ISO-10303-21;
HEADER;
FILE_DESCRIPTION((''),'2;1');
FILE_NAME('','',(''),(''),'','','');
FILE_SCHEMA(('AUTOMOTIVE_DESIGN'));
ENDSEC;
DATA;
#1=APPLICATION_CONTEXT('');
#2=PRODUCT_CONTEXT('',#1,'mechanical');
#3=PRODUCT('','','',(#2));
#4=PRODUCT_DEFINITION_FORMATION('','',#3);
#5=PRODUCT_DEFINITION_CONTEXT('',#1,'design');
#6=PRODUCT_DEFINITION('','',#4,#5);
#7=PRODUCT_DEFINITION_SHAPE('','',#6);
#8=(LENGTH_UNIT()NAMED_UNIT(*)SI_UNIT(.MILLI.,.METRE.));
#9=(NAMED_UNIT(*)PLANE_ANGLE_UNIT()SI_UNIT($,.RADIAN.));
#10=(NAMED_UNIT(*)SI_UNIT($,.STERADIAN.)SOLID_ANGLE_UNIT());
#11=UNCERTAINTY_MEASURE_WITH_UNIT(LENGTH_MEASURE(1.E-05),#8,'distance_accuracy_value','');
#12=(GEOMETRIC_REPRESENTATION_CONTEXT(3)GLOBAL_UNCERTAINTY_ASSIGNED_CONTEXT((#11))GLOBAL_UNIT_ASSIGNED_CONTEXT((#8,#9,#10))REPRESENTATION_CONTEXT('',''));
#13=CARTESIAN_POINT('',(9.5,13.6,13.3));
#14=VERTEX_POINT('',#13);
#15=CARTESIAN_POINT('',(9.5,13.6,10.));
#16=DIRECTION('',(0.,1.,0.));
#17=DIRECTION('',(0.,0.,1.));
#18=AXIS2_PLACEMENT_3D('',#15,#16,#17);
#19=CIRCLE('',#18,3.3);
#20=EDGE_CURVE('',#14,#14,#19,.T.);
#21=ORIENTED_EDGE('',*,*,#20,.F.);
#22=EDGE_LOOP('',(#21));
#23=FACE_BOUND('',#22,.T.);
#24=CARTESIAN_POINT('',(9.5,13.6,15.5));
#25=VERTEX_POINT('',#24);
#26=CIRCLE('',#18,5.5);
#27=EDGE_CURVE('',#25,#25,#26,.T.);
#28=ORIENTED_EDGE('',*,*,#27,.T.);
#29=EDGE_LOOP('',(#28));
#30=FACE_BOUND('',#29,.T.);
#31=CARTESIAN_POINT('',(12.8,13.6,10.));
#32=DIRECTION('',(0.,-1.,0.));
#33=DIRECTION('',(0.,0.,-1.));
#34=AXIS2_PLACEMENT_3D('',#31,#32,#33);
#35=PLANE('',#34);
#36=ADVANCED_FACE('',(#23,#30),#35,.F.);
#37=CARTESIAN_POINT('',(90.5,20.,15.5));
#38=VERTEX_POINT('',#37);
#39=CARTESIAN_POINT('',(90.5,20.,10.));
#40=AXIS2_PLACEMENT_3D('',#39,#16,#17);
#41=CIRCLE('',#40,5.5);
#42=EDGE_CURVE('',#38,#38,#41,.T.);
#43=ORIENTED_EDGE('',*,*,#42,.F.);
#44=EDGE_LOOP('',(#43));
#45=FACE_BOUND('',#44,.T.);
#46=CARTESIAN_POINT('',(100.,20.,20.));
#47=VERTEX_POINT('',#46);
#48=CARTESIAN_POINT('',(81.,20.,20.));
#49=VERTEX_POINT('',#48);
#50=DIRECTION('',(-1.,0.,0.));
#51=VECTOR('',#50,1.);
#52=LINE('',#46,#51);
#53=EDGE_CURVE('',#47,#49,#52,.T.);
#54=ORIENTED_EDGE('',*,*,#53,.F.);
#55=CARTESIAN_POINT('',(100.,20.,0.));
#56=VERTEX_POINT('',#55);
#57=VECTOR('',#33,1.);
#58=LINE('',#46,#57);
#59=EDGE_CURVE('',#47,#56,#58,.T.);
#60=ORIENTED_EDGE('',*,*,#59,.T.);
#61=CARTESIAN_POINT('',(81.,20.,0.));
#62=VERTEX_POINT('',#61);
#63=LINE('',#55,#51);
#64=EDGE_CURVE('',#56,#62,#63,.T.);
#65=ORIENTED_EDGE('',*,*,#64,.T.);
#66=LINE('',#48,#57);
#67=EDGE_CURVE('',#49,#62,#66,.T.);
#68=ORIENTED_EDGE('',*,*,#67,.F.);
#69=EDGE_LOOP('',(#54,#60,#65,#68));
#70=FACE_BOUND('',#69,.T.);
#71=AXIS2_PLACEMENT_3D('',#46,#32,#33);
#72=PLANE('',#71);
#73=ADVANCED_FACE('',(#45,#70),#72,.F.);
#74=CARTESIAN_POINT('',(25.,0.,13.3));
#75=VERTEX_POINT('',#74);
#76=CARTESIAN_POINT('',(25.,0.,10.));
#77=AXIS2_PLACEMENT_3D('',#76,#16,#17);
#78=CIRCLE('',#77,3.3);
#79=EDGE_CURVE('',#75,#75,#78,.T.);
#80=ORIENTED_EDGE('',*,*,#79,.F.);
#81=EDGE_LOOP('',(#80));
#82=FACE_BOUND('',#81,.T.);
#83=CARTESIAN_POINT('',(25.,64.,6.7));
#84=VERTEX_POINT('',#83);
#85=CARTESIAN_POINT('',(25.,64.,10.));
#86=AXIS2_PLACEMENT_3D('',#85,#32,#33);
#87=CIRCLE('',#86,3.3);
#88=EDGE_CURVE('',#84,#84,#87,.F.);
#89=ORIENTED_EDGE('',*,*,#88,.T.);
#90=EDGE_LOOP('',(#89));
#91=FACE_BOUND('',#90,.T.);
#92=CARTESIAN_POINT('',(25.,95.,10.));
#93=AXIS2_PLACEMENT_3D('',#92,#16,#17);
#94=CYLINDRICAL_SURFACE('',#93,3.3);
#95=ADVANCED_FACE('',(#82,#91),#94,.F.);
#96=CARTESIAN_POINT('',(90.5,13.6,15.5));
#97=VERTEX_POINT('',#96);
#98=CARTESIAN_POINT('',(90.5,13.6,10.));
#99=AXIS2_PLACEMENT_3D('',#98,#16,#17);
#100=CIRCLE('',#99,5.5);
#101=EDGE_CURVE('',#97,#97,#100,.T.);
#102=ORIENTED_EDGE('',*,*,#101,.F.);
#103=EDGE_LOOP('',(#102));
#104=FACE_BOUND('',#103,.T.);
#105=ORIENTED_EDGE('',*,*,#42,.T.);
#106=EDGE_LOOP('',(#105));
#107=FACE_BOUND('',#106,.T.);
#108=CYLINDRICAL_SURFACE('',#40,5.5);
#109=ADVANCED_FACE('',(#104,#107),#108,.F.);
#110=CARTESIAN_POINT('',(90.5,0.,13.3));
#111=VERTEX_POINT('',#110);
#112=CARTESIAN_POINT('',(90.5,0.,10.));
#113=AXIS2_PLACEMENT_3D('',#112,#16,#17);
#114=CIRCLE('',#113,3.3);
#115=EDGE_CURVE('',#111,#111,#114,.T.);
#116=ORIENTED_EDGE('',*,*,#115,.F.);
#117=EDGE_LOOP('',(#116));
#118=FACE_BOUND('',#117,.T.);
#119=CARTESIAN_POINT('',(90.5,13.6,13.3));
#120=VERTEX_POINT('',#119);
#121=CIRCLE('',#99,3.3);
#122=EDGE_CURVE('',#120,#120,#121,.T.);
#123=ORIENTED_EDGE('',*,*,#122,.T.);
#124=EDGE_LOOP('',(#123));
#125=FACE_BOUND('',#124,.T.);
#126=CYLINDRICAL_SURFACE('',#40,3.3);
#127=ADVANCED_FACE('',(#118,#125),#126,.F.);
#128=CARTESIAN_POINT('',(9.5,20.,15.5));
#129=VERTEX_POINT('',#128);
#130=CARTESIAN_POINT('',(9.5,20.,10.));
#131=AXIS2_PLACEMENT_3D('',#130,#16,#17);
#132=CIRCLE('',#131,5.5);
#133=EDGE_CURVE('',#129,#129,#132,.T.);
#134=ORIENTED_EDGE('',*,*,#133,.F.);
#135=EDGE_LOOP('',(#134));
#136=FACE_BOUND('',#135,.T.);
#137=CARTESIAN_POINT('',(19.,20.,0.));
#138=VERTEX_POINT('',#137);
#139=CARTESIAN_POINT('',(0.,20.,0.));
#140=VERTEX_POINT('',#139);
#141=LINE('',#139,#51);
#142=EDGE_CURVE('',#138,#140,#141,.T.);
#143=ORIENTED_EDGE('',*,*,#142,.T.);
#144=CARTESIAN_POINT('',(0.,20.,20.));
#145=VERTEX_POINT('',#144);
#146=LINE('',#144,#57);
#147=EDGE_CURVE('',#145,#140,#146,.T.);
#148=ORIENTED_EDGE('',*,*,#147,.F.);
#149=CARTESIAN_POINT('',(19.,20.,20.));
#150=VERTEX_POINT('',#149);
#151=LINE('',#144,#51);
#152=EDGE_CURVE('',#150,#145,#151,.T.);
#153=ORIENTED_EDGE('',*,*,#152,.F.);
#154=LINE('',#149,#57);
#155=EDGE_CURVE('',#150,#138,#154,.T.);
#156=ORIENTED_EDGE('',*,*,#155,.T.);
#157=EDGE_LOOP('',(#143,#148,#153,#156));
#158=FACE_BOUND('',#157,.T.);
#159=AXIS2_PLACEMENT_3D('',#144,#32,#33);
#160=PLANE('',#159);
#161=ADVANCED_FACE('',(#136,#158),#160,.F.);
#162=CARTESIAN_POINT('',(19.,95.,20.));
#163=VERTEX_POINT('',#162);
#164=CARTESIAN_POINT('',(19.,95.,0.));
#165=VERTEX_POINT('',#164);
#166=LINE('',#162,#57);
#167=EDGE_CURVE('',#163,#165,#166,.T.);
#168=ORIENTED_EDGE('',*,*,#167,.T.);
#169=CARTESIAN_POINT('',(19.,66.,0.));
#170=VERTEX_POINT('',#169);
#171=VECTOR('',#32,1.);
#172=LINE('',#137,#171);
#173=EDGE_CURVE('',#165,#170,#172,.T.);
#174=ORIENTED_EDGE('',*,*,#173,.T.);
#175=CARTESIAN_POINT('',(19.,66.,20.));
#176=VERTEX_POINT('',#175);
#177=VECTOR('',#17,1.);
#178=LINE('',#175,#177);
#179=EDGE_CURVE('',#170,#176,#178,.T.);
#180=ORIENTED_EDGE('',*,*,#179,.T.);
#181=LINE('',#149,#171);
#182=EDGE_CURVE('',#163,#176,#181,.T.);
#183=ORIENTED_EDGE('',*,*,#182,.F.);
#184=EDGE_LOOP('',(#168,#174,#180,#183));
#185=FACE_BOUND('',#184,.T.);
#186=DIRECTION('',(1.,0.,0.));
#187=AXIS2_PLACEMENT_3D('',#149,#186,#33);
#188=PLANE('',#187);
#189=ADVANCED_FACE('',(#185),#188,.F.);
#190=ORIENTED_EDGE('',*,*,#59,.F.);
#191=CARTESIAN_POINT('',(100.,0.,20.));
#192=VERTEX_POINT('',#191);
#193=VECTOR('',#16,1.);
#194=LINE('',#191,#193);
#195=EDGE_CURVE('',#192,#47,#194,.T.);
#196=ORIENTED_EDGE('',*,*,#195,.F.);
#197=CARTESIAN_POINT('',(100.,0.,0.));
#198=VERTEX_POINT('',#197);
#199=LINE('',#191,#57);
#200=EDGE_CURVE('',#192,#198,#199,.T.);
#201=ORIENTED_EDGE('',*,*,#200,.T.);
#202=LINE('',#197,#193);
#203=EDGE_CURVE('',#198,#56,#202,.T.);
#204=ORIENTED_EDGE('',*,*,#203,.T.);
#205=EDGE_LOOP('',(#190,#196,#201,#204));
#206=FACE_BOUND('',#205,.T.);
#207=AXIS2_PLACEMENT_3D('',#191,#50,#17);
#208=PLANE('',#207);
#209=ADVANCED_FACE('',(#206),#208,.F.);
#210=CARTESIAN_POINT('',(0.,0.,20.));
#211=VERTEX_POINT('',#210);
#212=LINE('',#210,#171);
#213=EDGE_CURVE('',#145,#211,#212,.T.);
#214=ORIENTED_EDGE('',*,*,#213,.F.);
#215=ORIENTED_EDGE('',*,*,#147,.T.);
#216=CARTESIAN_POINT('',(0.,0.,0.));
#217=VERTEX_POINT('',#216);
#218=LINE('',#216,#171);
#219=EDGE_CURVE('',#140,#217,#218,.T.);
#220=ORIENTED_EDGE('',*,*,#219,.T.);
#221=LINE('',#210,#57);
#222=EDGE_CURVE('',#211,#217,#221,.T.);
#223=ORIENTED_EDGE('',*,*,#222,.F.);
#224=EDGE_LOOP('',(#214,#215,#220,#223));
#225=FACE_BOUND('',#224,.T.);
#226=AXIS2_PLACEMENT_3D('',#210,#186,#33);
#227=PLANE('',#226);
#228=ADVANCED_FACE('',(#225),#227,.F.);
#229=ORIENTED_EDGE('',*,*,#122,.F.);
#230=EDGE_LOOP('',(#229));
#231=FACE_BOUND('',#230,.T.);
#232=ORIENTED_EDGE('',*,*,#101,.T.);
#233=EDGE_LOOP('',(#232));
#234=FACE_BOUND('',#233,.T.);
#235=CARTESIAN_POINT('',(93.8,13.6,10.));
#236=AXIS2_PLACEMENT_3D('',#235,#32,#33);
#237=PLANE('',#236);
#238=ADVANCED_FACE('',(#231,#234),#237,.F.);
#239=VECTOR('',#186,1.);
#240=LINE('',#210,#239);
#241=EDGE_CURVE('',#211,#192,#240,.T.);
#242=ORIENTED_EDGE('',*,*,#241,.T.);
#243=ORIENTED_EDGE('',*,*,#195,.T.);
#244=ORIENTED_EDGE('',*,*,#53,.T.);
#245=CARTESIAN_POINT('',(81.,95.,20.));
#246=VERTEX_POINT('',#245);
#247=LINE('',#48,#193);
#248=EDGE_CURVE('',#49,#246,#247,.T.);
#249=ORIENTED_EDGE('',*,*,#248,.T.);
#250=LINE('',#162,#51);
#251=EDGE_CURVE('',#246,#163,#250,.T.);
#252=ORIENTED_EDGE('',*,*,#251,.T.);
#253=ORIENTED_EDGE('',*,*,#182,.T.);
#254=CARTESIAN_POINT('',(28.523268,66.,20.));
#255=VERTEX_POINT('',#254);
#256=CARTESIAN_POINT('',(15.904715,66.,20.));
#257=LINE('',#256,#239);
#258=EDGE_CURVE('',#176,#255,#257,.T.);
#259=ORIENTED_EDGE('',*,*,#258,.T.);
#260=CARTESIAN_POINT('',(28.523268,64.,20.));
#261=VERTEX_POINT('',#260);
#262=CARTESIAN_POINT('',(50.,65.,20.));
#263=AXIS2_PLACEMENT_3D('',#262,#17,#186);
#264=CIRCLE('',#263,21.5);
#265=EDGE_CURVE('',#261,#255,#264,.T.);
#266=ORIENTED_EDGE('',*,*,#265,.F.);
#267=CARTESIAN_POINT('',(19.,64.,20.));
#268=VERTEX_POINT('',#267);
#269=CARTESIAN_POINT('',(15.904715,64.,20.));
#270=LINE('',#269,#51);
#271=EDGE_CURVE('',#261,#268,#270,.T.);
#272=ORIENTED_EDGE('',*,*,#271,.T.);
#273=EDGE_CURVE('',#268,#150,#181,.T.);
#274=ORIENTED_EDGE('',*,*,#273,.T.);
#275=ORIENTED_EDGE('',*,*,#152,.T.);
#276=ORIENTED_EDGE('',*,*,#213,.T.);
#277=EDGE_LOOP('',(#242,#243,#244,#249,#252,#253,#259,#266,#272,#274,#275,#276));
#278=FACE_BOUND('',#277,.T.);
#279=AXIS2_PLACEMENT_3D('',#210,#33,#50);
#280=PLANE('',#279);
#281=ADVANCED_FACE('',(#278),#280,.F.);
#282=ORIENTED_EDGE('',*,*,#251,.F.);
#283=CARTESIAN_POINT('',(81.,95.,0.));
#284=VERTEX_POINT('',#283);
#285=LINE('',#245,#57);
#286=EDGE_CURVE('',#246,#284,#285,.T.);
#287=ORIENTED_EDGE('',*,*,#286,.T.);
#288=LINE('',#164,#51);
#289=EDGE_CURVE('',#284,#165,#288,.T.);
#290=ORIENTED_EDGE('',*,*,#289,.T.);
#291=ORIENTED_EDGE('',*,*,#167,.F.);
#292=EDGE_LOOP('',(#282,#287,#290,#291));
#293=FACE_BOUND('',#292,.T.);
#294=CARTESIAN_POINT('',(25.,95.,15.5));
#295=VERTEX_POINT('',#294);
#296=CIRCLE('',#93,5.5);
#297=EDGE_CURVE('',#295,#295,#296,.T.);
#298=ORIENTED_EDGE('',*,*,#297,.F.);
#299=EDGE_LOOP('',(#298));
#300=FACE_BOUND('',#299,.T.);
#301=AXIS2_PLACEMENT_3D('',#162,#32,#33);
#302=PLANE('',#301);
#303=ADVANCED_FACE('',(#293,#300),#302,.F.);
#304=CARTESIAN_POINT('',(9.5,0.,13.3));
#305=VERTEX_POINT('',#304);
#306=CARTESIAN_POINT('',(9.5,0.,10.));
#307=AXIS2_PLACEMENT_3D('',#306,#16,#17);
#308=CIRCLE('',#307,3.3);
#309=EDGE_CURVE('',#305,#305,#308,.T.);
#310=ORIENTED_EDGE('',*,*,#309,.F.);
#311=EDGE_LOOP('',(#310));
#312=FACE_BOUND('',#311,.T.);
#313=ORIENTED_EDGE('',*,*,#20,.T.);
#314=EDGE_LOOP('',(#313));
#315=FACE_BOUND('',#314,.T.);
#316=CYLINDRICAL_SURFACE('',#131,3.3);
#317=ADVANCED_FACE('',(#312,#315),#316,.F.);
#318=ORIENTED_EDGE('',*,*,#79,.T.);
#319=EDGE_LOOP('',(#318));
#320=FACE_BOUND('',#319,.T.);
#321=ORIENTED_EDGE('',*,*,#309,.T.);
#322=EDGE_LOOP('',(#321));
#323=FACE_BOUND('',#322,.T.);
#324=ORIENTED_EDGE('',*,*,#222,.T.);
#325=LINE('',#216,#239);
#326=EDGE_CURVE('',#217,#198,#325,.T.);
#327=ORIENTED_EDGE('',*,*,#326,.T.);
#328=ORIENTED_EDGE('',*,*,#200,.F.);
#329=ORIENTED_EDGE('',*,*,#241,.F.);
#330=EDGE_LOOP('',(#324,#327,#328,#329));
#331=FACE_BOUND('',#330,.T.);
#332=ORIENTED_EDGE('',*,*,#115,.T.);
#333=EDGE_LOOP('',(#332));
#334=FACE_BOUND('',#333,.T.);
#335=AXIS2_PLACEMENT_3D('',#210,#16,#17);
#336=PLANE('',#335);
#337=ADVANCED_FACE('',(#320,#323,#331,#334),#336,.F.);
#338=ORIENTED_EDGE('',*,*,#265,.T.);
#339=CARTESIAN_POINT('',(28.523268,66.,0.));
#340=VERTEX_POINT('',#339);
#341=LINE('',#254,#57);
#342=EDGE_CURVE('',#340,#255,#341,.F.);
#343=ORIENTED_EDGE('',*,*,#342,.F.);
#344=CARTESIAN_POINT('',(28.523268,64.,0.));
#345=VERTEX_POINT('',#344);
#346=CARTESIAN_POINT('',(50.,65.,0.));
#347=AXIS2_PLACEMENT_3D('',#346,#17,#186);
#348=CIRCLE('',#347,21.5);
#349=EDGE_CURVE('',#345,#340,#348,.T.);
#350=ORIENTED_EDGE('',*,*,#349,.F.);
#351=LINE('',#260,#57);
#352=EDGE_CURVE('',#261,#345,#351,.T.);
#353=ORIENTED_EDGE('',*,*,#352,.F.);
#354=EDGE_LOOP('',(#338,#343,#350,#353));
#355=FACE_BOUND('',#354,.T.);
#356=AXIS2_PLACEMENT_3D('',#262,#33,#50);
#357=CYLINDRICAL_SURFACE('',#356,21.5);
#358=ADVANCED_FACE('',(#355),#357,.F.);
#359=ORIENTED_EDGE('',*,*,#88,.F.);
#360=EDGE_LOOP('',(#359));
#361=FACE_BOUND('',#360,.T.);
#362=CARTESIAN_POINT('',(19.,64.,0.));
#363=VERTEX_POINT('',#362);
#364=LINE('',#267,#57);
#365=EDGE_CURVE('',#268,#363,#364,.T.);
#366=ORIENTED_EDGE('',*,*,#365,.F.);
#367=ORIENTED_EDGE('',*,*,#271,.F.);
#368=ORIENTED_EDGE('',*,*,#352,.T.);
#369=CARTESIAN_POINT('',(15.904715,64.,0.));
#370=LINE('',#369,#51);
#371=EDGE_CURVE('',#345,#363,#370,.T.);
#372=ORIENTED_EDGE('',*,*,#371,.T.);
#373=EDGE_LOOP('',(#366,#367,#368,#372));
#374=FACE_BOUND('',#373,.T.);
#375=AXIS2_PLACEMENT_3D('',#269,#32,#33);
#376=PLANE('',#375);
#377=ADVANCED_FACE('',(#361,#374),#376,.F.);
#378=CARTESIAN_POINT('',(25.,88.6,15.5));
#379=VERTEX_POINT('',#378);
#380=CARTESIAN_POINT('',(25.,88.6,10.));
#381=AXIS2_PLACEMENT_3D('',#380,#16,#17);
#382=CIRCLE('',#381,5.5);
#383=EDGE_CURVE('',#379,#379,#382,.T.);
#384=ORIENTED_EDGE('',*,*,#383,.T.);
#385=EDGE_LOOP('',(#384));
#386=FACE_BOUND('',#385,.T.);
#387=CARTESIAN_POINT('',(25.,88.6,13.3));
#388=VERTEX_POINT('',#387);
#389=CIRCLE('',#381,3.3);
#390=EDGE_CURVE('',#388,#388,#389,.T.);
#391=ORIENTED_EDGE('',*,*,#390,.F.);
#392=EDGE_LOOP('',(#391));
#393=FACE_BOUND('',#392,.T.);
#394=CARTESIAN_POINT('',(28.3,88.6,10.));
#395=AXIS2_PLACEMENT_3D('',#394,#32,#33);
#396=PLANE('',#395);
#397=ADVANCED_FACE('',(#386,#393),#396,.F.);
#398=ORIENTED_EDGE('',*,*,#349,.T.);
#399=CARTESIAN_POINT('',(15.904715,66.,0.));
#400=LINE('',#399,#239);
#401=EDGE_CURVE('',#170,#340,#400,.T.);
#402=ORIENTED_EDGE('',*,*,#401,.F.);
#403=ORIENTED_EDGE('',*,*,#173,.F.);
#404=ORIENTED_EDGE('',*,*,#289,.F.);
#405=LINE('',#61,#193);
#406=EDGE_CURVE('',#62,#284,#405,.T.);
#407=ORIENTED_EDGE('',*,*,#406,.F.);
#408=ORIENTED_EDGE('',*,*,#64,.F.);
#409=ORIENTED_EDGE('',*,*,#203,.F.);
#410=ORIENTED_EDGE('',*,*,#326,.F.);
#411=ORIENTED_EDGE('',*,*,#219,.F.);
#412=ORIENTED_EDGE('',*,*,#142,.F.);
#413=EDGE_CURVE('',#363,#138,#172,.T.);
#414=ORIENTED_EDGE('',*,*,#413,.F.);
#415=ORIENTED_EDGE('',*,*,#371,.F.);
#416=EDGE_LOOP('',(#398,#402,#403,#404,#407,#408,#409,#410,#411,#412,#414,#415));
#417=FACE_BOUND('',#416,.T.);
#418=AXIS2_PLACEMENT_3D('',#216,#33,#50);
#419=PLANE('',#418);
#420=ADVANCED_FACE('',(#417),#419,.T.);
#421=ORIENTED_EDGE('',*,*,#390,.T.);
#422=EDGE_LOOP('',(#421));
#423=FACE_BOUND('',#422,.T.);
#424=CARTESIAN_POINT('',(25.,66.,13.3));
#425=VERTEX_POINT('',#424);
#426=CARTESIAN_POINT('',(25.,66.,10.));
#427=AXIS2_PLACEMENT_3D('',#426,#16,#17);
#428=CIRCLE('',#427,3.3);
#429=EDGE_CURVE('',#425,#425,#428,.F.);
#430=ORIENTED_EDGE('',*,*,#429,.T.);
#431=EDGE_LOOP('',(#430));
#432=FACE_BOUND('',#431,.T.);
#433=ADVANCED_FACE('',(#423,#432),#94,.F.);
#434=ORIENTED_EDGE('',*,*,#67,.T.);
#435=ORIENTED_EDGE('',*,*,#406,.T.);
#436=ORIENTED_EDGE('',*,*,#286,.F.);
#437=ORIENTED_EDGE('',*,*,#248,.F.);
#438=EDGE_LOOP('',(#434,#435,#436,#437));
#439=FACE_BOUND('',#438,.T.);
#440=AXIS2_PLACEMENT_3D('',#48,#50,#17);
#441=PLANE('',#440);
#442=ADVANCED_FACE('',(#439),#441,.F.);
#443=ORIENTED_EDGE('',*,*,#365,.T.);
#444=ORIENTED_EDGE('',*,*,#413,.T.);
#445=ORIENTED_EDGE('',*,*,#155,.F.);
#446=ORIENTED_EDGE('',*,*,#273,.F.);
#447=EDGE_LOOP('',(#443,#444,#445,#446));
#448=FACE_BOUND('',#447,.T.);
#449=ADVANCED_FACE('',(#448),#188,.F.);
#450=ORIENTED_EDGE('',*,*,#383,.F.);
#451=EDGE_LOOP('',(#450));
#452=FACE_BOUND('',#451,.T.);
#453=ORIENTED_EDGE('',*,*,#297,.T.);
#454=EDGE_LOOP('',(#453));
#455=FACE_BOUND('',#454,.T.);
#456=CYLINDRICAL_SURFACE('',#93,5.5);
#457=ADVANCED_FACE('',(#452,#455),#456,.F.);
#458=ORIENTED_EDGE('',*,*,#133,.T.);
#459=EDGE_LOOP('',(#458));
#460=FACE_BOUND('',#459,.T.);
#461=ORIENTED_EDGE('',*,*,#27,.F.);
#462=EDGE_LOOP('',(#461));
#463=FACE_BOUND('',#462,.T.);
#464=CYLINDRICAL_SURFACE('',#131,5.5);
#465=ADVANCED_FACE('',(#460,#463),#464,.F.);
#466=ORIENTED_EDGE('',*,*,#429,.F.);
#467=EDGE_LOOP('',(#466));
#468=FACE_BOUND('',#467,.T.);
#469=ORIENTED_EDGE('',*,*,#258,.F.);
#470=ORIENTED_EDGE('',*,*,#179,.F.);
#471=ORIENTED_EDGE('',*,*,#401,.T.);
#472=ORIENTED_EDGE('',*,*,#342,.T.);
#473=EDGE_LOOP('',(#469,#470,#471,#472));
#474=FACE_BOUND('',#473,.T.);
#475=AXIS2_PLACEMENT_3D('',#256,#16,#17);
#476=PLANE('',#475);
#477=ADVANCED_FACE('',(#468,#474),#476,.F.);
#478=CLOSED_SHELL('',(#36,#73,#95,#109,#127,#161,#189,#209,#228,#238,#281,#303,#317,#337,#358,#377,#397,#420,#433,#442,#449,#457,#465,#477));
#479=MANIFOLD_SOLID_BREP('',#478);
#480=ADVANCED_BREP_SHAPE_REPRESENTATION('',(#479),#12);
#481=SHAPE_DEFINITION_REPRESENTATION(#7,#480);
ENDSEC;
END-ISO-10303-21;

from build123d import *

# Parameters (mm, degrees)
SCHIZZO1_R                                           = 21.5
ESTRUSIONE_ESTRUSIONE1_DEPTH                         = 20
FORO_LAMATO_PER_VITE_M6_A_TESTA_CILINDRI_D           = 6.6
FORO_LAMATO_PER_VITE_M6_A_TESTA_CILINDRI_CBORE_D     = 11
FORO_LAMATO_PER_VITE_M6_A_TESTA_CILINDRI_CBORE_DEPTH = 6.4
FORO_LAMATO_PER_VITE_M6_A_TESTA_CILI_2_D             = 6.6
FORO_LAMATO_PER_VITE_M6_A_TESTA_CILI_2_CBORE_D       = 11
FORO_LAMATO_PER_VITE_M6_A_TESTA_CILI_2_CBORE_DEPTH   = 6.4
SCHIZZO7_W                                           = 15.52137419
SCHIZZO7_H                                           = 2
TAGLIO_ESTRUSIONE1_DEPTH                             = 140.373598648


with BuildPart() as part:
    # Schizzo1 → Estrusione-Estrusione1 (new body)
    with BuildSketch(Plane.XY):
        Polygon((0, 0), (100, 0), (100, 20), (81, 20), (81, 95), (19, 95), (19, 20), (0, 20), align=None)
        with Locations((50, 65)):
            Circle(SCHIZZO1_R, mode=Mode.SUBTRACT)
    extrude(amount=ESTRUSIONE_ESTRUSIONE1_DEPTH)

    # Foro lamato per Vite M6 a testa cilindri (through all)
    with Locations(Plane(origin=(9.5, 20, 10), x_dir=(0, 0, 1), z_dir=(0, 1, 0))):
        with Locations((0, 0), (0, 81)):
            CounterBoreHole(FORO_LAMATO_PER_VITE_M6_A_TESTA_CILINDRI_D / 2, FORO_LAMATO_PER_VITE_M6_A_TESTA_CILINDRI_CBORE_D / 2, FORO_LAMATO_PER_VITE_M6_A_TESTA_CILINDRI_CBORE_DEPTH)

    # Foro lamato per Vite M6 a testa cili 2 (through all)
    with Locations(Plane(origin=(25, 95, 10), x_dir=(0, 0, 1), z_dir=(0, 1, 0))):
        with Locations((0, 0)):
            CounterBoreHole(FORO_LAMATO_PER_VITE_M6_A_TESTA_CILI_2_D / 2, FORO_LAMATO_PER_VITE_M6_A_TESTA_CILI_2_CBORE_D / 2, FORO_LAMATO_PER_VITE_M6_A_TESTA_CILI_2_CBORE_DEPTH)

    # Schizzo7 → Taglio-Estrusione1 (cut, through all)
    with BuildSketch(Plane(origin=(0, 0, 0), x_dir=(-1, 0, 0), z_dir=(0, 0, -1))):
        with Locations((-23.66540179, 65)):
            Rectangle(SCHIZZO7_W, SCHIZZO7_H)
    extrude(amount=-TAGLIO_ESTRUSIONE1_DEPTH, mode=Mode.SUBTRACT)


solid = part.part
